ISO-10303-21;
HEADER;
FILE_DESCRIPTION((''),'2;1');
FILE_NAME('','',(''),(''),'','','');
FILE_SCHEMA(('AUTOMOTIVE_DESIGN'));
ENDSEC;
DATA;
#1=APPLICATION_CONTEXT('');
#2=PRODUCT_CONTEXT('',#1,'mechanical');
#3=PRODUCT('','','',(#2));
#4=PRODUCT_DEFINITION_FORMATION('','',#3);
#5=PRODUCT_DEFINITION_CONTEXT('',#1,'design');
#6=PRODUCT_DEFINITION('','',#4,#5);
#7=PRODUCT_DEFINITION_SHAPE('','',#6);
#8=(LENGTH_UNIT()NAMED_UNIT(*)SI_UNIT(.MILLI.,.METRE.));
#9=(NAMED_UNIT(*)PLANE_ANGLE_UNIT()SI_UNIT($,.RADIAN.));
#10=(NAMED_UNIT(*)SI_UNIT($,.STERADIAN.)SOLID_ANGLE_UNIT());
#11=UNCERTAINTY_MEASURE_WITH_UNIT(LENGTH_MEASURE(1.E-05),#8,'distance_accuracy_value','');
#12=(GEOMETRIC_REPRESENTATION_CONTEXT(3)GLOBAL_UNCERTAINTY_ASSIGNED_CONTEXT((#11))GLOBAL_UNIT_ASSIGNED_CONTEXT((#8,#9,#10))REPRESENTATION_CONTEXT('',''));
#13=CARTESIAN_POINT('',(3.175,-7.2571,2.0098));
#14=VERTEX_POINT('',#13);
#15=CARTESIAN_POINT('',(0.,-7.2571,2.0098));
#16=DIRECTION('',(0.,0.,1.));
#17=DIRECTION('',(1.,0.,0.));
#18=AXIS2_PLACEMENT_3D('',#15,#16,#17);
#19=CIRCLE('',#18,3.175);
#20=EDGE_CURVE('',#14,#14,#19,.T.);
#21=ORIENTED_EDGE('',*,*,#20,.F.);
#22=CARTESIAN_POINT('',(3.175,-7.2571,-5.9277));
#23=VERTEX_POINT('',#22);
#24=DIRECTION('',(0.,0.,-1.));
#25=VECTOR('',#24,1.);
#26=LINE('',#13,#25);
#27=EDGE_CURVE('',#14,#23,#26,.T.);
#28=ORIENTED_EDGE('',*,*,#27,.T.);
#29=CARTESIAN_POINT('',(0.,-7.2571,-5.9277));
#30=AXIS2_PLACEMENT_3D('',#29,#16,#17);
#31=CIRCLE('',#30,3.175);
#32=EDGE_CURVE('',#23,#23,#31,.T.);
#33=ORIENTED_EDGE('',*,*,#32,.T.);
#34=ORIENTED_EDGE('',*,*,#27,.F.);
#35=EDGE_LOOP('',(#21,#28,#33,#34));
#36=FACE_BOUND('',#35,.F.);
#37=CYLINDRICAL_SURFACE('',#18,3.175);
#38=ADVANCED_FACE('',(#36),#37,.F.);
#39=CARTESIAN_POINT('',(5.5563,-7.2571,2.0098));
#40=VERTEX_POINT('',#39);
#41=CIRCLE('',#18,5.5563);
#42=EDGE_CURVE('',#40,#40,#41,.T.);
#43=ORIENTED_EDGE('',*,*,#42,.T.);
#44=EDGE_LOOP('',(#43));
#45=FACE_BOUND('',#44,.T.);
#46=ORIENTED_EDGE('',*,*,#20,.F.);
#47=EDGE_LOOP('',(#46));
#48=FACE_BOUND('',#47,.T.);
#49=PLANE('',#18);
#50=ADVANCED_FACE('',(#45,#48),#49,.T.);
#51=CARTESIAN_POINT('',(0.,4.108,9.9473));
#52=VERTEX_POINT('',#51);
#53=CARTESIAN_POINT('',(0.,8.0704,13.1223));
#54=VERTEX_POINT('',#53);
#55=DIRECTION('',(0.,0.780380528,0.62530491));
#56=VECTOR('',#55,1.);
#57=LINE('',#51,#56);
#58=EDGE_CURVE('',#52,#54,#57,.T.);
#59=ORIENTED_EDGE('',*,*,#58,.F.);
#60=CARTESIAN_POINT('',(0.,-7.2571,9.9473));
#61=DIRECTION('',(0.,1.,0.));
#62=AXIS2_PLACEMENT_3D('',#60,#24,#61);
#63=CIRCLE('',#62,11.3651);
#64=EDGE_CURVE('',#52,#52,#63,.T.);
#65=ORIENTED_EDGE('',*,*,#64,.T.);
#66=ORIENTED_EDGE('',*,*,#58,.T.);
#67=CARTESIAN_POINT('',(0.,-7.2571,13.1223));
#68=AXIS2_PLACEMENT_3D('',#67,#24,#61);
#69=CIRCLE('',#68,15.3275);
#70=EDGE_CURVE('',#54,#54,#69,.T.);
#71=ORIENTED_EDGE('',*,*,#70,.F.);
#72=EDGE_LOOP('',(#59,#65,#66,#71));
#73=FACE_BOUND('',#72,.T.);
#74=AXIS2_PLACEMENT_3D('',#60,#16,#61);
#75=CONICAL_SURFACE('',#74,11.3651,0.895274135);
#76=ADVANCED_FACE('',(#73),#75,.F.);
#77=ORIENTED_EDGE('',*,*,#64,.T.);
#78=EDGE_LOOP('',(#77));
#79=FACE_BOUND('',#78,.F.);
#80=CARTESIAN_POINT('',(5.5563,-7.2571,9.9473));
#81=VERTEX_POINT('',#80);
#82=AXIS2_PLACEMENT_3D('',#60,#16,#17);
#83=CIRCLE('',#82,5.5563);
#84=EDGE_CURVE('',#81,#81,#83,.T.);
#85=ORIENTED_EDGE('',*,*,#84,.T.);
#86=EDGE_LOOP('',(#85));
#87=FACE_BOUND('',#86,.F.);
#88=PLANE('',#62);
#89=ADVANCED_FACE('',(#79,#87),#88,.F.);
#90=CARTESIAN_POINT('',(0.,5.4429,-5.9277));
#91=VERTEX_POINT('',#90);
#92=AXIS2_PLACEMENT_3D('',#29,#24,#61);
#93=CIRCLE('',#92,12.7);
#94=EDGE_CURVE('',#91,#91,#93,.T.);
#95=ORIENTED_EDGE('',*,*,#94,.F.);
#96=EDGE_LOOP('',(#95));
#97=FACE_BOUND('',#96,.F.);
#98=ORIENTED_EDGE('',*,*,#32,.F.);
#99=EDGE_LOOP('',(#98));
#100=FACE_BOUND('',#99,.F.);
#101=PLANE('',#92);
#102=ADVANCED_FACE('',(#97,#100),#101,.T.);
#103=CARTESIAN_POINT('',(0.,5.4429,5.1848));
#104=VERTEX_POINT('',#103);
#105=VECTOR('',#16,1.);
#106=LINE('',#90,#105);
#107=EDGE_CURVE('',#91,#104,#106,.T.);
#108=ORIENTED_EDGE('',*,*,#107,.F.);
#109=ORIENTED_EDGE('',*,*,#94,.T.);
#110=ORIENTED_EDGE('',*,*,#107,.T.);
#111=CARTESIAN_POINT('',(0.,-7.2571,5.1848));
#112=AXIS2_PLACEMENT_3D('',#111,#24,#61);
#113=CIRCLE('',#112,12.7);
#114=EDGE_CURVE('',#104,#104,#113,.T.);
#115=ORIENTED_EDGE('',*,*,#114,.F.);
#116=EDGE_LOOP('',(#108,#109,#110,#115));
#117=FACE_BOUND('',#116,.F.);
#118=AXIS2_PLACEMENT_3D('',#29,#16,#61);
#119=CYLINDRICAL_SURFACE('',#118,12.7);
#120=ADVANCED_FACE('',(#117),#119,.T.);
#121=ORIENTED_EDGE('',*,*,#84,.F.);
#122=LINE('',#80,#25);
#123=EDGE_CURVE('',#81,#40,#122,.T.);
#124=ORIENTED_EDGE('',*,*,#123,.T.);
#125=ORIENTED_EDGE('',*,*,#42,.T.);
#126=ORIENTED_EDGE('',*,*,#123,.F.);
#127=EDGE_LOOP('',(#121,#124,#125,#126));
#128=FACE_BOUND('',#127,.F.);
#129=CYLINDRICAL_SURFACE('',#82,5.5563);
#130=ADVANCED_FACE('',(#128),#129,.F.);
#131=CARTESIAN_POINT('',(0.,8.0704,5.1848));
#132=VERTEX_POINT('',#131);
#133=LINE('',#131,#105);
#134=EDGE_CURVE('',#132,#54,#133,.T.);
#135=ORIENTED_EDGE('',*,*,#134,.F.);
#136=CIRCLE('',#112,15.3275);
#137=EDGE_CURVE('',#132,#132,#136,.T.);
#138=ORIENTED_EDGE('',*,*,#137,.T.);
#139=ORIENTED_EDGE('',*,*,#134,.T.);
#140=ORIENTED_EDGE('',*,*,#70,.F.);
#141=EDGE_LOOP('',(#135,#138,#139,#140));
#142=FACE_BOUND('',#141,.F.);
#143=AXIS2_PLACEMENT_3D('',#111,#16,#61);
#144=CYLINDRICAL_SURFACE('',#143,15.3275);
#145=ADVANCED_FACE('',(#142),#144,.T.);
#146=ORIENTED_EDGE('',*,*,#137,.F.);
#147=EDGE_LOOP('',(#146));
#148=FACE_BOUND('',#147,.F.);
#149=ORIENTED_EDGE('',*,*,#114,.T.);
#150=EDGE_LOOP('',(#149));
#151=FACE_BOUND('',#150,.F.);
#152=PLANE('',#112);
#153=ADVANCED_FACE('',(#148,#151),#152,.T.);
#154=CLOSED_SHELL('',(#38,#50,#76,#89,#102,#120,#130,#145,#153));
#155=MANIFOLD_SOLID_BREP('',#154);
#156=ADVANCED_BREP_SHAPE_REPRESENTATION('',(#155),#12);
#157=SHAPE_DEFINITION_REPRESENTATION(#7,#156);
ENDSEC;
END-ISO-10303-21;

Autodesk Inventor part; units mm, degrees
ref_plane "YZ Plane" through (0, 0, 0) normal (1, 0, 0) x (0, 1, 0)
ref_plane "XZ Plane" through (0, 0, 0) normal (0, 1, 0) x (-1, 0, 0)
ref_plane "XY Plane" through (0, 0, 0) normal (0, 0, 1) x (1, 0, 0)
sketch "Sketch1" plane through (0, 0, 0) normal (1, 0, 0) x (0, 1, 0)
  line L0 (4.108, 9.9473) -> (-5.9746, 9.9473)
  line L1 (-5.9746, 9.9473) -> (-5.9746, 1.0479)
  line L2 (-5.9746, 1.0479) -> (-7.2571, 1.0479)
  line L3 (-7.2571, 1.0479) -> (-7.2571, -5.9277)
  line L4 (-7.2571, -5.9277) -> (5.4429, -5.9277)
  line L5 (5.4429, -5.9277) -> (5.4429, 5.1848)
  line L6 (5.4429, 5.1848) -> (8.0704, 5.1848)
  line L7 (8.0704, 5.1848) -> (8.0704, 13.1223)
  line L8 (4.108, 9.9473) -> (8.0704, 13.1223)
  line L9 (5.4429, -5.9277) -> (-46.9446, -5.9277) construction
  line L10 (-46.9446, -5.9277) -> (-46.9446, 28.5001)
  point P0 (0, 0)
  dimension "d3" = 19.05
  dimension "d4" = 7.9375
  dimension "d5" = 3.175
  dimension "d6" = 3.9624
  dimension "d7" = 12.7
  dimension "d20" = 52.3875
revolve "Revolution1" add sketch "Sketch1" angle 360 about axis through (0, -7.2571, 1.0479) along (0, 0, -1)
sketch "Sketch2" plane through (0, -7.2571, 9.9473) normal (0, 0, 1) x (1, 0, 0)
  circle A0 centre (0, 0) radius 1.2825 projected
  circle A1 centre (0, 0) radius 5.5563
  point P0 (0, 7.2571)
  dimension "d9" = 11.1125
extrude "Extrusion1" cut sketch "Sketch2" against normal blind 7.9375
sketch "Sketch5" plane through (0, -7.2571, 2.0098) normal (0, 0, 1) x (1, 0, 0)
  circle A0 centre (0, 0) radius 3.175
  point P0 (0, 7.2571)
  dimension "d17" = 6.35
extrude "Extrusion4" cut sketch "Sketch5" against normal blind 211.1375
